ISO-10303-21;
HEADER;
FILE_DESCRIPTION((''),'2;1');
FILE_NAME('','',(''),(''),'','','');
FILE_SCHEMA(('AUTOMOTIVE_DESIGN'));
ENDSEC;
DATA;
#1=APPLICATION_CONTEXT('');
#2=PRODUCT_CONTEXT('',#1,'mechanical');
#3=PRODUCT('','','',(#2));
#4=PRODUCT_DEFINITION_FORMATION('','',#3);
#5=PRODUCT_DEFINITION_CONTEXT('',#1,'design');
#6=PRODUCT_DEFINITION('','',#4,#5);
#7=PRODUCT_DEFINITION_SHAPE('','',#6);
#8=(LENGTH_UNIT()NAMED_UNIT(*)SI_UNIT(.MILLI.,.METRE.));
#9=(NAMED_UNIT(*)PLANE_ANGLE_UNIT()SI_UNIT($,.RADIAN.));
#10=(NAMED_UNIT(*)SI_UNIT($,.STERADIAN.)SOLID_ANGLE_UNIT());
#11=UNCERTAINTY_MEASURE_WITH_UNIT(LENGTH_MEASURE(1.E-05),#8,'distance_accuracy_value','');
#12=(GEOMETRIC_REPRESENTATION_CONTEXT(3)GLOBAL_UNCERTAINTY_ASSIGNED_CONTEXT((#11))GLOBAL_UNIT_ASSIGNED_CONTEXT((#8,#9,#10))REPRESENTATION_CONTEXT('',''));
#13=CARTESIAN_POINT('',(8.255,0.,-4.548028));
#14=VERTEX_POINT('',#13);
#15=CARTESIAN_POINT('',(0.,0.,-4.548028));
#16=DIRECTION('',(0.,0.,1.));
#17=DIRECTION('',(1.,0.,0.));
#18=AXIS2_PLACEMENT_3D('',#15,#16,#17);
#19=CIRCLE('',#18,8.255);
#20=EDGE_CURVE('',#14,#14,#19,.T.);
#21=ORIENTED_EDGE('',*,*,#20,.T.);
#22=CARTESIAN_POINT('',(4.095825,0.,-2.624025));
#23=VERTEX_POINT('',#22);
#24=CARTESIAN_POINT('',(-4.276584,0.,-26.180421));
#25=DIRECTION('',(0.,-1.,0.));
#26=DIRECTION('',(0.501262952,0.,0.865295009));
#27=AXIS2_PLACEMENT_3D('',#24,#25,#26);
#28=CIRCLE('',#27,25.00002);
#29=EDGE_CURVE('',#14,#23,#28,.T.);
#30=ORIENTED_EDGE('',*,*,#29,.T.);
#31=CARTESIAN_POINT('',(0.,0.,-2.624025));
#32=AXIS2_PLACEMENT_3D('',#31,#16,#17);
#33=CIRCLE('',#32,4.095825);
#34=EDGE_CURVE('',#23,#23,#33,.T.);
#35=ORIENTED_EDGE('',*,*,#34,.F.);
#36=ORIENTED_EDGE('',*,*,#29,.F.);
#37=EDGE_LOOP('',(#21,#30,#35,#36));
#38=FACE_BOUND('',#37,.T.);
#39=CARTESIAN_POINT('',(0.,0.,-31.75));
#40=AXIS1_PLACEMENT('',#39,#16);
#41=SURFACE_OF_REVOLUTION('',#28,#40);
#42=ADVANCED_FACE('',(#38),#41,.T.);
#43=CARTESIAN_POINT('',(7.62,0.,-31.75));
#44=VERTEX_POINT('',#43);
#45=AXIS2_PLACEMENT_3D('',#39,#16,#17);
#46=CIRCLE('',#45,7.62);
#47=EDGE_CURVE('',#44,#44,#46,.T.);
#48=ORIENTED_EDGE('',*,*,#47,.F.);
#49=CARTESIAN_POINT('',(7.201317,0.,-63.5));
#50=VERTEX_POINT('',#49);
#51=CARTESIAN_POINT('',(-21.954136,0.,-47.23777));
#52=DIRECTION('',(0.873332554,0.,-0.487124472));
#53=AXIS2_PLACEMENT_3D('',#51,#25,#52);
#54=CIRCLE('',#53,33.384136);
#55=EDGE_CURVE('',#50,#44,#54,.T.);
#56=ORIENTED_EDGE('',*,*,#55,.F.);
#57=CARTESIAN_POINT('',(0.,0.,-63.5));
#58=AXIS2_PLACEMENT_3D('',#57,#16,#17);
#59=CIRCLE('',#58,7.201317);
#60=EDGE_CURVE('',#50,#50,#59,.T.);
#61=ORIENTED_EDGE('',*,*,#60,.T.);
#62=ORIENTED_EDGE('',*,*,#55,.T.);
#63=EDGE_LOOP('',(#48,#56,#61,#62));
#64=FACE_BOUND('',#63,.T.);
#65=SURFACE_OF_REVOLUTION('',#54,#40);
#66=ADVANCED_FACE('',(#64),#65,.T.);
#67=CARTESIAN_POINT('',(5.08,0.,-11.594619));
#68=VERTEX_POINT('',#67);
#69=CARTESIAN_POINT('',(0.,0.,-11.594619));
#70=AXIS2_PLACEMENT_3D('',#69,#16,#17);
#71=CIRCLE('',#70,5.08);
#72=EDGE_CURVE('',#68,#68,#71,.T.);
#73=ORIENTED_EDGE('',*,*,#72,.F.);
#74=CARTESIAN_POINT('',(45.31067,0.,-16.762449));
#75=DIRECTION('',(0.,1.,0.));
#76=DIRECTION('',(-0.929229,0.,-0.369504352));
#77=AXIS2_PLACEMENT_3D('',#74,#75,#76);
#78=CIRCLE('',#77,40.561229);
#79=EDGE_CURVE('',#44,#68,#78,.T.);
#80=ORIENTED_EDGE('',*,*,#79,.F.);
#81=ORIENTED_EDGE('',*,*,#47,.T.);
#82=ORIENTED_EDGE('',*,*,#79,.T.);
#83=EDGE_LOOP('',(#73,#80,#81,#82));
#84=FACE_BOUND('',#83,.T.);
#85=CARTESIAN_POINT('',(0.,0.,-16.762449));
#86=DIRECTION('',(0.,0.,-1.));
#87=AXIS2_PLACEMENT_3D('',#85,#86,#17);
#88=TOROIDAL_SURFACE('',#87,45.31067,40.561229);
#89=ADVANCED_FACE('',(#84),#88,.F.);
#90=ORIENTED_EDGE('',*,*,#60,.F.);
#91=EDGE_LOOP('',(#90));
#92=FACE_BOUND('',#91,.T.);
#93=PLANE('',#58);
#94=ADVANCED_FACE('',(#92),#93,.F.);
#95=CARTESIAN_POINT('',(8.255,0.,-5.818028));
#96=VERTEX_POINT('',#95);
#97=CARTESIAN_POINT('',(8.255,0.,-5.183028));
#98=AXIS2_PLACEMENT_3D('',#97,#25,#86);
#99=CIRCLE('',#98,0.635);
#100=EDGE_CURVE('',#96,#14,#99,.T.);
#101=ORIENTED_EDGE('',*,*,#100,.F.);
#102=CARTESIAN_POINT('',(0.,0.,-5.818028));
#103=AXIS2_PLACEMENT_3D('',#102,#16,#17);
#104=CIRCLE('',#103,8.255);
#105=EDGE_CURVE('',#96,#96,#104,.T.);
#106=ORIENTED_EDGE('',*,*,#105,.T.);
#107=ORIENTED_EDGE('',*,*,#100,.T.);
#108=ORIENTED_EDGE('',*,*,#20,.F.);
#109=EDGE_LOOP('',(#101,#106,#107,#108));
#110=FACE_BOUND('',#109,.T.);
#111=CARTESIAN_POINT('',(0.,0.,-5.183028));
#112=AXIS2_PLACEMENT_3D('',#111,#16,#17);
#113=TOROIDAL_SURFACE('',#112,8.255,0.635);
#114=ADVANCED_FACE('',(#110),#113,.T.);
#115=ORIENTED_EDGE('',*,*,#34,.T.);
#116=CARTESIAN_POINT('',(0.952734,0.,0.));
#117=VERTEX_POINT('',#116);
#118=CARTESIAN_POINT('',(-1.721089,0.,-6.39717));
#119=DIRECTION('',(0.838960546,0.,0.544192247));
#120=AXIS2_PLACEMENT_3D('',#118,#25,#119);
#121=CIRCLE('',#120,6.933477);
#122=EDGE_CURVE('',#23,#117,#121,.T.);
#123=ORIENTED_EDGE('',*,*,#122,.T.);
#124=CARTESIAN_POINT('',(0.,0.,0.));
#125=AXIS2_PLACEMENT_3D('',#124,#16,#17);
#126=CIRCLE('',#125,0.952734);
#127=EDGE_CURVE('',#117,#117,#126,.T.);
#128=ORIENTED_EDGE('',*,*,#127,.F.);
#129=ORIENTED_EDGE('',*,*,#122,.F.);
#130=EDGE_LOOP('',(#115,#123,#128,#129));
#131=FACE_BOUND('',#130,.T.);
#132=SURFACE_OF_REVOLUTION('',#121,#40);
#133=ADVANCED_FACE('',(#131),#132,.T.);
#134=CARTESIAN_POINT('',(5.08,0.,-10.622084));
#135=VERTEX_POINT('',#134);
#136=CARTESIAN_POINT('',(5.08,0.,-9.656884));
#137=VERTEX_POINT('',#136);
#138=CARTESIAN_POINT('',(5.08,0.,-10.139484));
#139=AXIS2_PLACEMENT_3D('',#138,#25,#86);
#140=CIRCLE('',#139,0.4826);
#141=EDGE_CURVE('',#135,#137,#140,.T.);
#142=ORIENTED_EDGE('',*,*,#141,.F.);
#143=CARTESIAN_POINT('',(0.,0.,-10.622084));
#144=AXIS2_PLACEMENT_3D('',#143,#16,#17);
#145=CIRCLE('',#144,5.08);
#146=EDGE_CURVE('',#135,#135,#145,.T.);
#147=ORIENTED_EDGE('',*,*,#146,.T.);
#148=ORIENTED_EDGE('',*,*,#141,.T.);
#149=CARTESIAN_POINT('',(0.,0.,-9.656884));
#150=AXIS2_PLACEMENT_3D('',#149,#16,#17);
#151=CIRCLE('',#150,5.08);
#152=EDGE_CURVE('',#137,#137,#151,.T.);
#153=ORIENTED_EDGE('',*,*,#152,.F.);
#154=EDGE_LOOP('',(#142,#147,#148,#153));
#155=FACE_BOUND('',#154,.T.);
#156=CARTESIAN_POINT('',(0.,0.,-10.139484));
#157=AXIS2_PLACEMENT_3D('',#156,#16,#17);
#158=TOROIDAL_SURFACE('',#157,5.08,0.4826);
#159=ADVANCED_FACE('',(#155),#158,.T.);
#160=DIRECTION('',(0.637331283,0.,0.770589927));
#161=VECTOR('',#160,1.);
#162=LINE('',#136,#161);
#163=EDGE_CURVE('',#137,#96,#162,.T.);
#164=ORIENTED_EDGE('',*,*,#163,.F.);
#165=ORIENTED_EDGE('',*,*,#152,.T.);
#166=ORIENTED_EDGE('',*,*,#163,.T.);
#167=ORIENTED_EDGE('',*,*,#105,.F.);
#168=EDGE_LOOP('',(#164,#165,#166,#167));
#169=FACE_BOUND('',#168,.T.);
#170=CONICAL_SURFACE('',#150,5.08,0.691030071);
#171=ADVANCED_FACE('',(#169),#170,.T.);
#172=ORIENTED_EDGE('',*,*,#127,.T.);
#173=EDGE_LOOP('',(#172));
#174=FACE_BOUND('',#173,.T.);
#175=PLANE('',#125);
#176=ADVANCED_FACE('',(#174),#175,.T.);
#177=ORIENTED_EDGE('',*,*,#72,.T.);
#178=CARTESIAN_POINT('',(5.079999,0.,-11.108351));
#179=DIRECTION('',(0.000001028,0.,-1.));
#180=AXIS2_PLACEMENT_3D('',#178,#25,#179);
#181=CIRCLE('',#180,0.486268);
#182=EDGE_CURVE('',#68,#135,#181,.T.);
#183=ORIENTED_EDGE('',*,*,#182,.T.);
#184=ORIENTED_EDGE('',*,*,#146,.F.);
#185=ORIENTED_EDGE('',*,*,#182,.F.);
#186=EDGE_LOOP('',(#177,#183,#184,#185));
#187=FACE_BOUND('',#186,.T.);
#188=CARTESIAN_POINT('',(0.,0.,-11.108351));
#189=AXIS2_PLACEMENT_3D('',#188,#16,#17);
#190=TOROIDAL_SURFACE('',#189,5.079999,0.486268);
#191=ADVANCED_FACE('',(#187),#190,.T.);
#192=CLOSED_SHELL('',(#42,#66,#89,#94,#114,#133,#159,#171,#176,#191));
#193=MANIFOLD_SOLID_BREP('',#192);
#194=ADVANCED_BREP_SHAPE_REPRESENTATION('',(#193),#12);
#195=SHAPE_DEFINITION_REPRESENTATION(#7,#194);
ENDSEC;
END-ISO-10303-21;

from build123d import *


with BuildPart() as f1:
    # F0 (on Front) → F1 (revolve)
    with BuildSketch(Plane.XZ):
        with BuildLine():
            Line((0, -11.594619), (0, -63.5))
            Line((0, -63.5), (7.201317, -63.5))
            ThreePointArc((7.201317, -63.5), (11.427098, -47.677964), (7.62, -31.75))
            ThreePointArc((7.62, -31.75), (5.067737, -21.833901), (5.08, -11.594619))
            Line((5.08, -11.594619), (0, -11.594619))
        make_face()
        with BuildLine():
            Line((0, -10.622084), (0, -11.594619))
            Line((0, -11.594619), (5.08, -11.594619))
            ThreePointArc((5.08, -11.594619), (5.566267, -11.108352), (5.08, -10.622084))
            Line((5.08, -10.622084), (0, -10.622084))
        make_face()
        with BuildLine():
            Line((0, -9.656884), (0, -10.622084))
            Line((0, -10.622084), (5.08, -10.622084))
            ThreePointArc((5.08, -10.622084), (5.5626, -10.139484), (5.08, -9.656884))
            Line((5.08, -9.656884), (0, -9.656884))
        make_face()
        Polygon((0, -5.818028), (0, -9.656884), (5.08, -9.656884), (8.255, -5.818028), align=None)
        with BuildLine():
            Line((0, -4.548028), (0, -5.818028))
            Line((0, -5.818028), (8.255, -5.818028))
            ThreePointArc((8.255, -5.818028), (8.89, -5.183028), (8.255, -4.548028))
            Line((8.255, -4.548028), (0, -4.548028))
        make_face()
        with BuildLine():
            Line((0, 0), (0, -4.548028))
            Line((0, -4.548028), (8.255, -4.548028))
            ThreePointArc((8.255, -4.548028), (6.219591, -3.490526), (4.095825, -2.624025))
            ThreePointArc((4.095825, -2.624025), (2.722393, -1.07471), (0.952734, 0))
            Line((0.952734, 0), (0, 0))
        make_face()
    revolve(axis=Axis((0, 0, -31.75), (0, 0, 1)))


solid = f1.part
